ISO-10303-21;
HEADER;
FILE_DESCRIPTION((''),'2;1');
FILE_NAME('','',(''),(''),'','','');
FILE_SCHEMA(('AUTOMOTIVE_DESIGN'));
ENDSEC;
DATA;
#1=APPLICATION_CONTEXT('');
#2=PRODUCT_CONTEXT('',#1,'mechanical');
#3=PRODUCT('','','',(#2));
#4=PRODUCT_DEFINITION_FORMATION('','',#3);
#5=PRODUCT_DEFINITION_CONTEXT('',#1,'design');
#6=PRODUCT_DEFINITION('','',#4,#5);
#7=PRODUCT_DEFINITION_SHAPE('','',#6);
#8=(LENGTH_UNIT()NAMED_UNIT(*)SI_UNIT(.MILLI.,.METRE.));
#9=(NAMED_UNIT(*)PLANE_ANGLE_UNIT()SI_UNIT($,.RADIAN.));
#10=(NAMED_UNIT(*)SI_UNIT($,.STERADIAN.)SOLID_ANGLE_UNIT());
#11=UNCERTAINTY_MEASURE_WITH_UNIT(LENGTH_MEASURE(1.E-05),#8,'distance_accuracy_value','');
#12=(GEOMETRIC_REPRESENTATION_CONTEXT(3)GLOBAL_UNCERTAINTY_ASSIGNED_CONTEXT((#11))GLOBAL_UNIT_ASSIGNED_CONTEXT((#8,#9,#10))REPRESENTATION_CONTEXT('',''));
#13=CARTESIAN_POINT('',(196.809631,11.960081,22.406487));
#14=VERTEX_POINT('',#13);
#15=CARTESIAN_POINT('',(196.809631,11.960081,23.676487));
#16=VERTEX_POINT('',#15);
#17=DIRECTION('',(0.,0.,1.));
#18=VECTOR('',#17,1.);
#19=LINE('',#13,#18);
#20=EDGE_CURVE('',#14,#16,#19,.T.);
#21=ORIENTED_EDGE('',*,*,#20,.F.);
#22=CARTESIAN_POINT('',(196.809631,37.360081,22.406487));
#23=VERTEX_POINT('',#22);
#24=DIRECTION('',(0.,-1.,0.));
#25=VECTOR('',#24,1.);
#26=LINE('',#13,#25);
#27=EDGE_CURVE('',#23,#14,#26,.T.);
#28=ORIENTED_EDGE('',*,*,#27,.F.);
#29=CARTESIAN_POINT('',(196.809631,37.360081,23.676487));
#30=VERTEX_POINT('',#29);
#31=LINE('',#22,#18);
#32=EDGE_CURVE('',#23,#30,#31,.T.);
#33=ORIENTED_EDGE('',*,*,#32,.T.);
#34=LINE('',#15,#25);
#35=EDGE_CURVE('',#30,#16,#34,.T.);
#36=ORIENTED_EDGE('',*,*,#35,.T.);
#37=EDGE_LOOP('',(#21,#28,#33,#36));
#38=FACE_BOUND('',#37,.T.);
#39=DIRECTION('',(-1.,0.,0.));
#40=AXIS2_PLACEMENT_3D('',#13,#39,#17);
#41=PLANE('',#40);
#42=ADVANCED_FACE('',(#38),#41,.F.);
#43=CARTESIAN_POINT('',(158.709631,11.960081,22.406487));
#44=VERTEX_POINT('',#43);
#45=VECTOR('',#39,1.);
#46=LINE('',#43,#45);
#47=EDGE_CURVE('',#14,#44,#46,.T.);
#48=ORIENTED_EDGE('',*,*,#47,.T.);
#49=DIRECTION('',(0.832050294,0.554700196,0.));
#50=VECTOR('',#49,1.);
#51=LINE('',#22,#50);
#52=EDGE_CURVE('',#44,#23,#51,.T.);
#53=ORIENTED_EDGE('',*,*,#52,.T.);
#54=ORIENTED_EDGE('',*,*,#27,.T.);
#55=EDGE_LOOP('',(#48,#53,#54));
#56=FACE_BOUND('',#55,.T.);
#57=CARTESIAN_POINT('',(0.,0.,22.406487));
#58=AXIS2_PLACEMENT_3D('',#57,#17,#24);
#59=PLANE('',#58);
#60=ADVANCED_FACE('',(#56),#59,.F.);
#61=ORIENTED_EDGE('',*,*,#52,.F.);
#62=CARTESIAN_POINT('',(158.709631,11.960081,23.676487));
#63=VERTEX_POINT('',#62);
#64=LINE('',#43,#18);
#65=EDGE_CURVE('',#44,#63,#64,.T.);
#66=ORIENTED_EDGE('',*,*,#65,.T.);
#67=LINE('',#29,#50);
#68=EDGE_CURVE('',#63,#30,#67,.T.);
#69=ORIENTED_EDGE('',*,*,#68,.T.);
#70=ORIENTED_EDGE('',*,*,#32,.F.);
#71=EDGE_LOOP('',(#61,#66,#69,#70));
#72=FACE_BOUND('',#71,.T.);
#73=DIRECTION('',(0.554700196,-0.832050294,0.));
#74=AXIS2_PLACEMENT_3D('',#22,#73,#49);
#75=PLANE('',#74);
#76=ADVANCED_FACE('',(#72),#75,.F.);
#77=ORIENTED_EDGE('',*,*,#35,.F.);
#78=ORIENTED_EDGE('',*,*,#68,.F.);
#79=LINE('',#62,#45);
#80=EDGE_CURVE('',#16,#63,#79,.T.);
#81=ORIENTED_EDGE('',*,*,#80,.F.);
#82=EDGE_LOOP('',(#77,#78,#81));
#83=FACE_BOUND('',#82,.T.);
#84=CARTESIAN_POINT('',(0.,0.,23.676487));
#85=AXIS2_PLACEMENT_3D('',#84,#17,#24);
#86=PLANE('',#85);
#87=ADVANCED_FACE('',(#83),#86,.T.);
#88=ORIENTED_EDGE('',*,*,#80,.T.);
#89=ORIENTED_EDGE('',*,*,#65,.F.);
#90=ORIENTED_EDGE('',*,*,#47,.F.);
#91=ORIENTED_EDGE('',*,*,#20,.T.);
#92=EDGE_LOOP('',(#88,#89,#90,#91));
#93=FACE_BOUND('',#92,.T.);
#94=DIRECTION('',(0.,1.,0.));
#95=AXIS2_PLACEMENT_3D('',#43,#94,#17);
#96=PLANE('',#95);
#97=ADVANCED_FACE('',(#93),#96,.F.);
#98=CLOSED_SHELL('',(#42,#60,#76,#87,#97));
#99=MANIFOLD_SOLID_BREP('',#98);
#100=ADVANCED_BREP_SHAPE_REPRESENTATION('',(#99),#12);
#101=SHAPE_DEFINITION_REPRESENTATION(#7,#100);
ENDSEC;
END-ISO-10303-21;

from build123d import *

# Parameters (mm, degrees)
BOSS_EXTRUDE1_DEPTH = 1.27


with BuildPart() as part:
    # Sketch1 → Boss-Extrude1 (new body)
    with BuildSketch(Plane(origin=(0, 0, 23.676486755), x_dir=(-1, 0, 0), z_dir=(0, 0, -1))):
        Polygon((-196.809631061, 11.960081074), (-196.809631061, 37.360081074), (-158.709631061, 11.960081074), align=None)
    extrude(amount=BOSS_EXTRUDE1_DEPTH)


solid = part.part
